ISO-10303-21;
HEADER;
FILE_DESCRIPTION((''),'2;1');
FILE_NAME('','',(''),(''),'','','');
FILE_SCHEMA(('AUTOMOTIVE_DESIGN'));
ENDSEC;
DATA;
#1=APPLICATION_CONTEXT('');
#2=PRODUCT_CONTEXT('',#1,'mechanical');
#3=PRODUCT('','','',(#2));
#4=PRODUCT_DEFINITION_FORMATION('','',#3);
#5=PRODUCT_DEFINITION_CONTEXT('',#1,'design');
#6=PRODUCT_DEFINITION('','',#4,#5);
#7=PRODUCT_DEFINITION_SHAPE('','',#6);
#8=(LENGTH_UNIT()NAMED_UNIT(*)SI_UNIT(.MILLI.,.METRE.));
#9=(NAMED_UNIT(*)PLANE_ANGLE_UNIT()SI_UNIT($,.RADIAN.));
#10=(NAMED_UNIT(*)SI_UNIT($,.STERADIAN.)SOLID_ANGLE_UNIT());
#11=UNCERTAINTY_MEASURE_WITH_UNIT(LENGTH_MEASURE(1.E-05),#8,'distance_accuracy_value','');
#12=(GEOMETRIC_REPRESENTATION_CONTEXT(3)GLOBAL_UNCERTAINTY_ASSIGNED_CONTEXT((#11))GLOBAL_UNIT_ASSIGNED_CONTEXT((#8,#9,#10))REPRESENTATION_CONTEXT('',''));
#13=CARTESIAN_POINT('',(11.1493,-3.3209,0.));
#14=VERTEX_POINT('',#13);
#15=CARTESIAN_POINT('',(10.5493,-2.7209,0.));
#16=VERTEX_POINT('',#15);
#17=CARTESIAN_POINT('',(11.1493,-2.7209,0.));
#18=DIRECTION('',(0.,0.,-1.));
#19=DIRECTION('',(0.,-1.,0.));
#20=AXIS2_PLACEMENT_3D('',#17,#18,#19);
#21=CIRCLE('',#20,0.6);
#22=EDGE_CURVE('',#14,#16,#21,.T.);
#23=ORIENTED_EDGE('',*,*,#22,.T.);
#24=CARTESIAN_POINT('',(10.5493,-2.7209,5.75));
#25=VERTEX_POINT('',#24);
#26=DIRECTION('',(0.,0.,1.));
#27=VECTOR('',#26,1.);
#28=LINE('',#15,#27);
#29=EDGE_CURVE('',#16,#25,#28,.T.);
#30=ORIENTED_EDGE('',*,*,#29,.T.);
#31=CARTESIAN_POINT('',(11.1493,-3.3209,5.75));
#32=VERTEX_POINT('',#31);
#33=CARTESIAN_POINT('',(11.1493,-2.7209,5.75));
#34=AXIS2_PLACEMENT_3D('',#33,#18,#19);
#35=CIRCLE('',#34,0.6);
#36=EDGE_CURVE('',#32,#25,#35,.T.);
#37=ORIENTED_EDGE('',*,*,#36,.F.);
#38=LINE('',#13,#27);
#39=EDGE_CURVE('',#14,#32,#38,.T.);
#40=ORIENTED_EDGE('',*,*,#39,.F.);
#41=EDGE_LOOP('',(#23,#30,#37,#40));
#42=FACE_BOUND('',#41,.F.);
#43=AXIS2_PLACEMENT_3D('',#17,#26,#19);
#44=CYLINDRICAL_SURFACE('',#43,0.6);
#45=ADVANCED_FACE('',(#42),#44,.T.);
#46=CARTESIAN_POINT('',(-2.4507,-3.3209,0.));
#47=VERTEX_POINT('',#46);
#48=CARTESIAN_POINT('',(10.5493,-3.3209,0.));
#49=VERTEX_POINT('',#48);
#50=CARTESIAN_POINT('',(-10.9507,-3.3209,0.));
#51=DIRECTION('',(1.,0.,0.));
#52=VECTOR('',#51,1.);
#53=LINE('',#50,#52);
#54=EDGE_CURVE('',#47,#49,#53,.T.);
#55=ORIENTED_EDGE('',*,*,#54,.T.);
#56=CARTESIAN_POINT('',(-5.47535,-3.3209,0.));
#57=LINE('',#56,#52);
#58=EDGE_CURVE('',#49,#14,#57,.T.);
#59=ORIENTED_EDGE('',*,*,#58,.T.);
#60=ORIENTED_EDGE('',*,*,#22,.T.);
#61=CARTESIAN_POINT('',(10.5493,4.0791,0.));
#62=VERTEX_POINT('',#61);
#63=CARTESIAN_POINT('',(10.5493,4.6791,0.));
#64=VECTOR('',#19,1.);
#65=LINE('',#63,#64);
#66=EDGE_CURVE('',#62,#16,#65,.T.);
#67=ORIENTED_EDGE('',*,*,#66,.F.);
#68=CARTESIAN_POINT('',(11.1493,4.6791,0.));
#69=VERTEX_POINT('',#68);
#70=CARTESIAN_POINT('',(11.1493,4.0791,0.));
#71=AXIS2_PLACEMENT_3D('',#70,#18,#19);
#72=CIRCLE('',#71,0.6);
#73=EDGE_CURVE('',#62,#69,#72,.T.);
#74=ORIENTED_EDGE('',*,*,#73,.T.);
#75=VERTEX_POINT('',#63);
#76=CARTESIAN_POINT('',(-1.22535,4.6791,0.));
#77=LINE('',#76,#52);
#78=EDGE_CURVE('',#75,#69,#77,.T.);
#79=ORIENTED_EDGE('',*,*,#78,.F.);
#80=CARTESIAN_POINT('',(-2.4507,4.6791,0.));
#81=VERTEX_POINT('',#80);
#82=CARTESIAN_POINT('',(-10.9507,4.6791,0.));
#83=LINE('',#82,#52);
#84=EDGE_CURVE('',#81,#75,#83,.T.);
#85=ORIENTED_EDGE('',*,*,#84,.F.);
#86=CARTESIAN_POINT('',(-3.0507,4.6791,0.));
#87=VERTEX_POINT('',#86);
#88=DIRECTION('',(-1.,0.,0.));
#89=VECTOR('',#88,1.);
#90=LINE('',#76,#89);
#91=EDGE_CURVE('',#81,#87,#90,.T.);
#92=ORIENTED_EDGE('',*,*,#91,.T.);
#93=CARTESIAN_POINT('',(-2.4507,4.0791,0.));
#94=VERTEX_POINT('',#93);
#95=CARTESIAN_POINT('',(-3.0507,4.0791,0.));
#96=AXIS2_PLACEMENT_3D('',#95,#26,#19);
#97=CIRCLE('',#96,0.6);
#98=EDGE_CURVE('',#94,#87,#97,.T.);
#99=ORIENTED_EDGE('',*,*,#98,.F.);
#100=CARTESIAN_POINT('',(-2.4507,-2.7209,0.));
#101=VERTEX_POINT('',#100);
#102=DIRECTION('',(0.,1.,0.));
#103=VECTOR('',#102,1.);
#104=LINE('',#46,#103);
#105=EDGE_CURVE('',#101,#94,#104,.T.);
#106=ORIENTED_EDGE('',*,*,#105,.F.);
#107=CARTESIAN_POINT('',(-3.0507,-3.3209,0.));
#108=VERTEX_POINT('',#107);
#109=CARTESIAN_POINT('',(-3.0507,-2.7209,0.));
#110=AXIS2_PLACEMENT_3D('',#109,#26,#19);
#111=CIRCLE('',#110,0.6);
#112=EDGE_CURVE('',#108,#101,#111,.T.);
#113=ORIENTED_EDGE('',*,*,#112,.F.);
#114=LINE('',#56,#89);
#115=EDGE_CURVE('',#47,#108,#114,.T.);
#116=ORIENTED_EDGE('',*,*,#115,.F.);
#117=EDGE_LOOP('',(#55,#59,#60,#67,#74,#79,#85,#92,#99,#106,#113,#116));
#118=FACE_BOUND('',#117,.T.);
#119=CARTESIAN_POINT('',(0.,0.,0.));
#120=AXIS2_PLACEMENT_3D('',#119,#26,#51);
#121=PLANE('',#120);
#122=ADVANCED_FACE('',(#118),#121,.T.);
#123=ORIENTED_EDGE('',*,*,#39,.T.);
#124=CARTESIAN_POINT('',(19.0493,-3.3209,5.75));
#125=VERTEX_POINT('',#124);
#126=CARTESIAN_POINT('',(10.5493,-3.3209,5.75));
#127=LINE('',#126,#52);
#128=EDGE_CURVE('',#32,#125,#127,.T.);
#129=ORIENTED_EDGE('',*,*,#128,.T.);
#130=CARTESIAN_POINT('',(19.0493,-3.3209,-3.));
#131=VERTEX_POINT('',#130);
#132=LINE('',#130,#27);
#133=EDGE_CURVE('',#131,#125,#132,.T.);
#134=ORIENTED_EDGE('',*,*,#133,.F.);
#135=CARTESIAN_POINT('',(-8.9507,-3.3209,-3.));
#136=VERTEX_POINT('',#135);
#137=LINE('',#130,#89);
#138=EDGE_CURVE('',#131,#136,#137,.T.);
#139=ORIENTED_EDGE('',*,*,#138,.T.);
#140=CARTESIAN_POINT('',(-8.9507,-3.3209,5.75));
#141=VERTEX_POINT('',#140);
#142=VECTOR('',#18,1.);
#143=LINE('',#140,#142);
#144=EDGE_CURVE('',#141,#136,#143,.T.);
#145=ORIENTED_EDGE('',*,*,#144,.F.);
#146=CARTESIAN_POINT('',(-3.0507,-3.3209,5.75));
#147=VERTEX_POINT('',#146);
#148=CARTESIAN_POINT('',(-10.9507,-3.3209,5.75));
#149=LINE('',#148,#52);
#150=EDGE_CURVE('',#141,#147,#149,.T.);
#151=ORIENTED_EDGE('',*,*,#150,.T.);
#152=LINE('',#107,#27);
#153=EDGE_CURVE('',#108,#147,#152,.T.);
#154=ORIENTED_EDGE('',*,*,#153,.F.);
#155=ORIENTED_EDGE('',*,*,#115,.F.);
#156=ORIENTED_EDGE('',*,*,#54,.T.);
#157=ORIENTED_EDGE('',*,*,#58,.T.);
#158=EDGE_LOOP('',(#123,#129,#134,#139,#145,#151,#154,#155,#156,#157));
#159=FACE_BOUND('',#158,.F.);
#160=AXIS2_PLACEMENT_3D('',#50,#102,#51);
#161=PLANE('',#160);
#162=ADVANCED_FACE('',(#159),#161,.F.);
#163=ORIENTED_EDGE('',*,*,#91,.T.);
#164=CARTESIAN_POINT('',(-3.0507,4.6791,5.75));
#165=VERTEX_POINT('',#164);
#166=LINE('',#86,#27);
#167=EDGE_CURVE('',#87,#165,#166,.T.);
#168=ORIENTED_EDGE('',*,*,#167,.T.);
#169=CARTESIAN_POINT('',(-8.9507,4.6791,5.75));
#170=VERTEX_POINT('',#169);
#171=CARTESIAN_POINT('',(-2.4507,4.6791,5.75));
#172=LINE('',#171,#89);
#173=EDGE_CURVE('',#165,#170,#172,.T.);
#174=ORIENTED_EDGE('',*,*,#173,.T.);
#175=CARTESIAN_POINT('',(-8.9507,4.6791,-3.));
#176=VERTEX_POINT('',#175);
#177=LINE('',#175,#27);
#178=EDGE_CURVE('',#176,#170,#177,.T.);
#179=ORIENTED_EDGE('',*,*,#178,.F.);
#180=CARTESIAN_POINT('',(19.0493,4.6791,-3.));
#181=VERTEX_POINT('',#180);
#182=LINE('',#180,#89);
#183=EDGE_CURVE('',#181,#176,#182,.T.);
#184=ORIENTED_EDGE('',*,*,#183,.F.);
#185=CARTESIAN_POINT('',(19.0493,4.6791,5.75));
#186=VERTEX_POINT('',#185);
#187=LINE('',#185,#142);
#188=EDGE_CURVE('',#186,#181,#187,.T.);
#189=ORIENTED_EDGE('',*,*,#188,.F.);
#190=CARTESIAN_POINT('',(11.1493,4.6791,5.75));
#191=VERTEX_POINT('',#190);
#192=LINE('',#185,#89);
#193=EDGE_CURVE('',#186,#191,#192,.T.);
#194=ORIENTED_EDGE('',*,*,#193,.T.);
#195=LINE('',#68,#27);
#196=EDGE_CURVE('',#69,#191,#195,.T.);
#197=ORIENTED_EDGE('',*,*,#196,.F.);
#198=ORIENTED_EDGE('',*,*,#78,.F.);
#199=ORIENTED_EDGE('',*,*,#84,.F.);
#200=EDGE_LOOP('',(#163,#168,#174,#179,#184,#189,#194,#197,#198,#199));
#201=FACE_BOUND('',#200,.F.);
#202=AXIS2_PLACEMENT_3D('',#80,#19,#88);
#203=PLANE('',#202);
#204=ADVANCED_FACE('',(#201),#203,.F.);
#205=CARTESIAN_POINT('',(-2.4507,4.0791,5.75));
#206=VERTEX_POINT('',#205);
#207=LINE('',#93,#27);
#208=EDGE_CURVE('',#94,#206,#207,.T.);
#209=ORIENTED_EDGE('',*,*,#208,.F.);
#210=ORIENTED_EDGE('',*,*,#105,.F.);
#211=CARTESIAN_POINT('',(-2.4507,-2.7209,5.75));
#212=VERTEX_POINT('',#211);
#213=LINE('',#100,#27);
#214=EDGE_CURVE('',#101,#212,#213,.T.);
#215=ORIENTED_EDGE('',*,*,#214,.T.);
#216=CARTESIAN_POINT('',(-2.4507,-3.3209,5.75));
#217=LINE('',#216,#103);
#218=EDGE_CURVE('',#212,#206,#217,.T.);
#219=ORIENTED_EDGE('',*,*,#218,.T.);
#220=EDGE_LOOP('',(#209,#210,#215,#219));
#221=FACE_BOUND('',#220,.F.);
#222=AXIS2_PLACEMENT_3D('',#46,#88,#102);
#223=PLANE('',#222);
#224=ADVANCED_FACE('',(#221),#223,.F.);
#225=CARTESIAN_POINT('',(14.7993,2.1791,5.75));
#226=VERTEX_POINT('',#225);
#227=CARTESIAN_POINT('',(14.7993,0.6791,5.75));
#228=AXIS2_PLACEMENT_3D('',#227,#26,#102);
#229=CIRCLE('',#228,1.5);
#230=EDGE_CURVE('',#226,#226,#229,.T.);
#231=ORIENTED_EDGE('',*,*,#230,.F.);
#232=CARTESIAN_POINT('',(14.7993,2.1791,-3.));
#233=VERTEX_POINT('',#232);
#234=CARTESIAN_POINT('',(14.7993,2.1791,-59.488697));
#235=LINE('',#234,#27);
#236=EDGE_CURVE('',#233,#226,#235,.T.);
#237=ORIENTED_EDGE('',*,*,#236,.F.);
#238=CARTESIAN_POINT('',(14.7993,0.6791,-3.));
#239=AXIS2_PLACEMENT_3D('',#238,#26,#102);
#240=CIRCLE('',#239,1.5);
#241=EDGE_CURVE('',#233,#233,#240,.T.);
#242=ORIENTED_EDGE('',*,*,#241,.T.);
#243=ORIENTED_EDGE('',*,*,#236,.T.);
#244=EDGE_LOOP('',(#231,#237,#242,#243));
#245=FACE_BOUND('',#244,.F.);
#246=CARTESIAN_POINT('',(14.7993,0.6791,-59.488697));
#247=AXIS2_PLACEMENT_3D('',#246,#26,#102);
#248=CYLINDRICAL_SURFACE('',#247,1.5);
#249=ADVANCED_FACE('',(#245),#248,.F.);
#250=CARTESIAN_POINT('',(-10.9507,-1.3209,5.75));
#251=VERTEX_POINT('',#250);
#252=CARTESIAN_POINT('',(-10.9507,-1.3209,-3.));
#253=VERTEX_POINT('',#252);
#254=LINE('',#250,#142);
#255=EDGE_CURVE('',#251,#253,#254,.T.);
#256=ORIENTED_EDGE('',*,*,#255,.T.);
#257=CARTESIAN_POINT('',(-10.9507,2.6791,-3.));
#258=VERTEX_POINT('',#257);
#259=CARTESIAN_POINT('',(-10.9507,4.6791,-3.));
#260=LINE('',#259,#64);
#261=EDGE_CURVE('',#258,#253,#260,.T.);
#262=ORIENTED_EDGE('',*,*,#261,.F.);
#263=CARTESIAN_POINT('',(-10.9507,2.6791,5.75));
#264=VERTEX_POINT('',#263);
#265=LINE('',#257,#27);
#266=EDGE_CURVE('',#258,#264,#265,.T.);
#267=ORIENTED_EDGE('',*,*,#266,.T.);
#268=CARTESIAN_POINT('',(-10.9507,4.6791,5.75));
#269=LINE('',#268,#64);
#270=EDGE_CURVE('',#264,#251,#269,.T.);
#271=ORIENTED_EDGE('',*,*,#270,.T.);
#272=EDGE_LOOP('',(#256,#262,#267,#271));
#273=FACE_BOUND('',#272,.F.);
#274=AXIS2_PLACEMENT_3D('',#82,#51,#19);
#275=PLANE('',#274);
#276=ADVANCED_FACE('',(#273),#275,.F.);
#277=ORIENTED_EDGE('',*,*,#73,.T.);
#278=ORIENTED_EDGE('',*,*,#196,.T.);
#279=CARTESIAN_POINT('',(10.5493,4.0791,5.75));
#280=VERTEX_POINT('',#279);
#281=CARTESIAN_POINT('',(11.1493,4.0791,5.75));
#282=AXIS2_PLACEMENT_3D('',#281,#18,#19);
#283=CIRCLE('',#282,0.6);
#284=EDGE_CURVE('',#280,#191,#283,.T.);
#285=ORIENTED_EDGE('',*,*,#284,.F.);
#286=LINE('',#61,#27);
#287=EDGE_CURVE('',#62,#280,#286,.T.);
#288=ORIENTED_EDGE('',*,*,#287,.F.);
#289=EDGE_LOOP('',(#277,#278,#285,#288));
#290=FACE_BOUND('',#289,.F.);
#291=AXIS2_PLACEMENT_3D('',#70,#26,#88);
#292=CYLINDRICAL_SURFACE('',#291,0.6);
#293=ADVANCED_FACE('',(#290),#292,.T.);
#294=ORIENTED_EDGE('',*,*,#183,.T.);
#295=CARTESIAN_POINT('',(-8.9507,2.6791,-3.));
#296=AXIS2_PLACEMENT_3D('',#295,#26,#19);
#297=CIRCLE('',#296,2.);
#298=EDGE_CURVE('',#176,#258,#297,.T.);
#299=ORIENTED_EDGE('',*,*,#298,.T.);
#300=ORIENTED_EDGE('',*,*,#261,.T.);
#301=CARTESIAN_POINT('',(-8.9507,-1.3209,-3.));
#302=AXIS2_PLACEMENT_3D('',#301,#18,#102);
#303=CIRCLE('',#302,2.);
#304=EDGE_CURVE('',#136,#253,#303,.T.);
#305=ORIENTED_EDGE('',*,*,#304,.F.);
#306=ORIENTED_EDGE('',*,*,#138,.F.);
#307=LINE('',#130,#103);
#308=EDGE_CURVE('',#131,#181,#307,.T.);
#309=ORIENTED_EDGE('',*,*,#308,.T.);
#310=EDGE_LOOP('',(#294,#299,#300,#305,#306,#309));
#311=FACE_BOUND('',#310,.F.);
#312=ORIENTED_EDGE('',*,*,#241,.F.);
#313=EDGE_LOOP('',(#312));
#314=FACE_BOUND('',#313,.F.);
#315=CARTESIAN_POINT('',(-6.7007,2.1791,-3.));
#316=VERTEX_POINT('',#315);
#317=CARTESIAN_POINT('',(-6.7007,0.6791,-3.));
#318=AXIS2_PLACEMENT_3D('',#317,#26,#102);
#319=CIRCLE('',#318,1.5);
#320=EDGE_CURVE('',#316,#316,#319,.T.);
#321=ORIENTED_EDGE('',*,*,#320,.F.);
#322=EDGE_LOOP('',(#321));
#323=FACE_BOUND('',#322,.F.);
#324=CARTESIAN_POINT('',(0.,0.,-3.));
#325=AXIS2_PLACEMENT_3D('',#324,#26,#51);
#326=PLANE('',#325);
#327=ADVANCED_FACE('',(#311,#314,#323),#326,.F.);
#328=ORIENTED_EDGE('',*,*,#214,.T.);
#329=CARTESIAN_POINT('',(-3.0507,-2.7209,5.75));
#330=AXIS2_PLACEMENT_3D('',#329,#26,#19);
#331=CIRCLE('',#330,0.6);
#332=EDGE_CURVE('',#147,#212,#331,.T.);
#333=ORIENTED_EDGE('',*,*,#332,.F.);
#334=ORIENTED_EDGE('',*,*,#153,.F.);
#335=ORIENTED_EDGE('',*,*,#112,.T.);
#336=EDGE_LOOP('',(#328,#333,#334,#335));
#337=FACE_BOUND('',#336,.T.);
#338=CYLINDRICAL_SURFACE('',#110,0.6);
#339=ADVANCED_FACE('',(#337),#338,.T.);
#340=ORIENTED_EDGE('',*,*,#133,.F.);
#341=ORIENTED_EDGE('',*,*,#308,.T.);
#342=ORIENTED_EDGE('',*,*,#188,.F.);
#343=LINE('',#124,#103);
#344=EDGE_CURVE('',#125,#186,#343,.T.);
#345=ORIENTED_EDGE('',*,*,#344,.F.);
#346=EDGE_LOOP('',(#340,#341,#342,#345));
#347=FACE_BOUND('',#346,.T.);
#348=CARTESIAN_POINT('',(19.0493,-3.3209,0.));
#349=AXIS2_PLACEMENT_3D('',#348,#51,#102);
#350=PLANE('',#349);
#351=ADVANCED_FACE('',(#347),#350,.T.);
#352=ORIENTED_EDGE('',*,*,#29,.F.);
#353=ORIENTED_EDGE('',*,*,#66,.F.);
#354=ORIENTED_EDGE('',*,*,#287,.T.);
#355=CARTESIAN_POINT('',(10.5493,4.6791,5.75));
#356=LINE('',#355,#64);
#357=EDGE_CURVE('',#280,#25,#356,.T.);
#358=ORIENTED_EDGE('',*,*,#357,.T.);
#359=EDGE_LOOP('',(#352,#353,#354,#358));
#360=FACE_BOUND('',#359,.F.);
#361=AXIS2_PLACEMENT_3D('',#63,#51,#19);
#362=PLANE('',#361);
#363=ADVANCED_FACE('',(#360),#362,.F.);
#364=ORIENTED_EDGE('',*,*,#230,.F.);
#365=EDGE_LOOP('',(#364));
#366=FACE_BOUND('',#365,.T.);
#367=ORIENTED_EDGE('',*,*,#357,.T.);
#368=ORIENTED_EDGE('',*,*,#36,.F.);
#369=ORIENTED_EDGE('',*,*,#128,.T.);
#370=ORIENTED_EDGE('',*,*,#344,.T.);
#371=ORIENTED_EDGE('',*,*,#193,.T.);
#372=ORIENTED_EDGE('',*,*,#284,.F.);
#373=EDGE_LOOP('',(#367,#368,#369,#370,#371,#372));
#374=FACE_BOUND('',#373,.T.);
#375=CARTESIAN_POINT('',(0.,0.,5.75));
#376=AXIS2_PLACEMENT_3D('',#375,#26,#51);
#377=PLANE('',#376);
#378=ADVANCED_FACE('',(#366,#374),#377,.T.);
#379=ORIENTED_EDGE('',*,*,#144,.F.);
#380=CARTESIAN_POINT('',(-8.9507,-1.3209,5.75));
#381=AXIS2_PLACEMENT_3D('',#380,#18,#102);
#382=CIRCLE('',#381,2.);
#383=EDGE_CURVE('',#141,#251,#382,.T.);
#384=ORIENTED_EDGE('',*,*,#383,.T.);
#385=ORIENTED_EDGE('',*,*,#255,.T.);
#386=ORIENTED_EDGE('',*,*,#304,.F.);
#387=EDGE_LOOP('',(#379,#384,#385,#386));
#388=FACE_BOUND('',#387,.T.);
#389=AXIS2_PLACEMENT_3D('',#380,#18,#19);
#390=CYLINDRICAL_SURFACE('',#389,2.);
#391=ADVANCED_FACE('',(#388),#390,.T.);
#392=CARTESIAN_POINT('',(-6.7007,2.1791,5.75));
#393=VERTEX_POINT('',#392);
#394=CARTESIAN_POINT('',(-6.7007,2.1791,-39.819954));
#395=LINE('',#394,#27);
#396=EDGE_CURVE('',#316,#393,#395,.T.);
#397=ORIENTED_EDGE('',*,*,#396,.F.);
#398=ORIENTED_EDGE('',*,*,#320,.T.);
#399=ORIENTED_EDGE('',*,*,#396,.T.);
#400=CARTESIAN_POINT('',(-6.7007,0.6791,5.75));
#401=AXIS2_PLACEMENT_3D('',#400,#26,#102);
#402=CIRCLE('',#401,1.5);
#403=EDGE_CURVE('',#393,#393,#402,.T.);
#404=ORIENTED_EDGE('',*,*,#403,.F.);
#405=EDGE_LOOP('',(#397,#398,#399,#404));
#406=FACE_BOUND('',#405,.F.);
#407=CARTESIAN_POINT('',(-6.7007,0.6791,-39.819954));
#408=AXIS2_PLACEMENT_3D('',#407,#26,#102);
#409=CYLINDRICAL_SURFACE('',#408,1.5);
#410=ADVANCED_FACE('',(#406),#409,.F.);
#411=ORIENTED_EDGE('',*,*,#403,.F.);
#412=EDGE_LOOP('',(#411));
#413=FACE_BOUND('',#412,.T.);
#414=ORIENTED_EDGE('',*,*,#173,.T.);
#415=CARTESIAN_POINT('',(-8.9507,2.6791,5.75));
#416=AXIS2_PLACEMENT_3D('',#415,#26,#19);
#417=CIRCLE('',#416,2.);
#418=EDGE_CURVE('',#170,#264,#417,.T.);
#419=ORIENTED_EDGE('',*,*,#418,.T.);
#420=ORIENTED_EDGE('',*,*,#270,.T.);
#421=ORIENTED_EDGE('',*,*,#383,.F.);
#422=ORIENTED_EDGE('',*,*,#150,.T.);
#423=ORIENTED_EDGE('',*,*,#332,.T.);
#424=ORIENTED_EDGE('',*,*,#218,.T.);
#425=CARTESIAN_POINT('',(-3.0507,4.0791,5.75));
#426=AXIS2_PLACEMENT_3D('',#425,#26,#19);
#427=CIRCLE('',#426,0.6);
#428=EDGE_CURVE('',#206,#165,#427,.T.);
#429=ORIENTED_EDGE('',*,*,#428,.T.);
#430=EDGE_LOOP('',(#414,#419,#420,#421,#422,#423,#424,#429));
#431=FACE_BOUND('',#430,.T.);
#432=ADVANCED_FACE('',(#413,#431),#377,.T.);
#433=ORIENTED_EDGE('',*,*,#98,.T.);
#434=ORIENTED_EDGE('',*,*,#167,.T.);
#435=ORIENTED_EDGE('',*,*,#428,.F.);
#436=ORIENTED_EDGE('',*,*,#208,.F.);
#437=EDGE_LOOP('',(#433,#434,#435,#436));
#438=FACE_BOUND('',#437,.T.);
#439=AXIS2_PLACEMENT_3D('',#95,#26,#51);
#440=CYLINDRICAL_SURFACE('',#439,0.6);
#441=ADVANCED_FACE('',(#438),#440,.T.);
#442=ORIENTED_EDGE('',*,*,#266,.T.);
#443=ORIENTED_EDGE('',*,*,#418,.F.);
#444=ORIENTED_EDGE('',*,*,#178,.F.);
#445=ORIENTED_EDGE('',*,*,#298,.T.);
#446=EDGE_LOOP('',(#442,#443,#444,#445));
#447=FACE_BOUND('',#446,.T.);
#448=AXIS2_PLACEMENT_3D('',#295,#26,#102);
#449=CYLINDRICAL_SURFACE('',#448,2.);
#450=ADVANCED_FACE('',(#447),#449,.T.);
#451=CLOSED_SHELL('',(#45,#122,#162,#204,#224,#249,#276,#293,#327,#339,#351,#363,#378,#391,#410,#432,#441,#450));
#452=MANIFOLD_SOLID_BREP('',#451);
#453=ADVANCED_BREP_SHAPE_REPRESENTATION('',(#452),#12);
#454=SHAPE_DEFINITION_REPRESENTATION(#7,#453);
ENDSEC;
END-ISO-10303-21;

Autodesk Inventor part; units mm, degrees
ref_plane "YZ Plane" through (0, 0, 0) normal (1, 0, 0) x (0, 1, 0)
ref_plane "XZ Plane" through (0, 0, 0) normal (0, 1, 0) x (-1, 0, 0)
ref_plane "XY Plane" through (0, 0, 0) normal (0, 0, 1) x (1, 0, 0)
sketch "Sketch1" plane through (0, 0, 0) normal (0, 0, 1) x (1, 0, 0)
  line L0 (-2.4507, 4.6791) -> (10.5493, 4.6791)
  line L1 (10.5493, 4.6791) -> (10.5493, -3.3209)
  line L2 (10.5493, -3.3209) -> (-2.4507, -3.3209)
  line L3 (-2.4507, -3.3209) -> (-2.4507, 4.6791)
  line L4 (-2.4507, 4.6791) -> (-10.9507, 4.6791)
  line L5 (-10.9507, 4.6791) -> (-10.9507, -3.3209)
  line L6 (-10.9507, -3.3209) -> (-2.4507, -3.3209)
  line L7 (10.5493, -3.3209) -> (19.0493, -3.3209)
  line L8 (19.0493, -3.3209) -> (19.0493, 4.6791)
  line L9 (19.0493, 4.6791) -> (10.5493, 4.6791)
  point P0 (0, 0)
  point P1 (-6.7007, 0.6791)
  point P2 (14.7993, 0.6791)
  dimension "d0" = 13
  dimension "d1" = 8
  dimension "d2" = 8.5
  dimension "d3" = 8.5
  dimension "d4" = 30
  dimension "d5" = 4.25
  dimension "d6" = 4
  dimension "d7" = 4
  dimension "d8" = 4.25
extrude "Extrusion1" add sketch "Sketch1" along normal blind 5.75 contours L3 L6 L5 L4 | L9 L8 L7 L1
extrude "Extrusion2" add sketch "Sketch1" against normal blind 3
hole "Hole1" at (-6.7007, 0.6791, 0) at (14.7993, 0.6791, 0) direction (0, 0, 1) diameter 3 end through all both
fillet "Fillet1" radius 2 2 edges at (-10.9507, -3.3209, 1.375) (-10.9507, 4.6791, 1.375)
fillet "Fillet2" radius 0.6 4 edges at (10.5493, -3.3209, 2.875) (-2.4507, -3.3209, 2.875) (10.5493, 4.6791, 2.875) (-2.4507, 4.6791, 2.875)
equation "\"d3\" = d2"
equation "\"d5\" = 0.5 * d2"
equation "\"d6\" = 0.5 * d1"
equation "\"d7\" = d6"
equation "\"d8\" = d5"
properties part number "3DP_PLA_Y_axis_endstop_mount" material "ABS Plastic"
